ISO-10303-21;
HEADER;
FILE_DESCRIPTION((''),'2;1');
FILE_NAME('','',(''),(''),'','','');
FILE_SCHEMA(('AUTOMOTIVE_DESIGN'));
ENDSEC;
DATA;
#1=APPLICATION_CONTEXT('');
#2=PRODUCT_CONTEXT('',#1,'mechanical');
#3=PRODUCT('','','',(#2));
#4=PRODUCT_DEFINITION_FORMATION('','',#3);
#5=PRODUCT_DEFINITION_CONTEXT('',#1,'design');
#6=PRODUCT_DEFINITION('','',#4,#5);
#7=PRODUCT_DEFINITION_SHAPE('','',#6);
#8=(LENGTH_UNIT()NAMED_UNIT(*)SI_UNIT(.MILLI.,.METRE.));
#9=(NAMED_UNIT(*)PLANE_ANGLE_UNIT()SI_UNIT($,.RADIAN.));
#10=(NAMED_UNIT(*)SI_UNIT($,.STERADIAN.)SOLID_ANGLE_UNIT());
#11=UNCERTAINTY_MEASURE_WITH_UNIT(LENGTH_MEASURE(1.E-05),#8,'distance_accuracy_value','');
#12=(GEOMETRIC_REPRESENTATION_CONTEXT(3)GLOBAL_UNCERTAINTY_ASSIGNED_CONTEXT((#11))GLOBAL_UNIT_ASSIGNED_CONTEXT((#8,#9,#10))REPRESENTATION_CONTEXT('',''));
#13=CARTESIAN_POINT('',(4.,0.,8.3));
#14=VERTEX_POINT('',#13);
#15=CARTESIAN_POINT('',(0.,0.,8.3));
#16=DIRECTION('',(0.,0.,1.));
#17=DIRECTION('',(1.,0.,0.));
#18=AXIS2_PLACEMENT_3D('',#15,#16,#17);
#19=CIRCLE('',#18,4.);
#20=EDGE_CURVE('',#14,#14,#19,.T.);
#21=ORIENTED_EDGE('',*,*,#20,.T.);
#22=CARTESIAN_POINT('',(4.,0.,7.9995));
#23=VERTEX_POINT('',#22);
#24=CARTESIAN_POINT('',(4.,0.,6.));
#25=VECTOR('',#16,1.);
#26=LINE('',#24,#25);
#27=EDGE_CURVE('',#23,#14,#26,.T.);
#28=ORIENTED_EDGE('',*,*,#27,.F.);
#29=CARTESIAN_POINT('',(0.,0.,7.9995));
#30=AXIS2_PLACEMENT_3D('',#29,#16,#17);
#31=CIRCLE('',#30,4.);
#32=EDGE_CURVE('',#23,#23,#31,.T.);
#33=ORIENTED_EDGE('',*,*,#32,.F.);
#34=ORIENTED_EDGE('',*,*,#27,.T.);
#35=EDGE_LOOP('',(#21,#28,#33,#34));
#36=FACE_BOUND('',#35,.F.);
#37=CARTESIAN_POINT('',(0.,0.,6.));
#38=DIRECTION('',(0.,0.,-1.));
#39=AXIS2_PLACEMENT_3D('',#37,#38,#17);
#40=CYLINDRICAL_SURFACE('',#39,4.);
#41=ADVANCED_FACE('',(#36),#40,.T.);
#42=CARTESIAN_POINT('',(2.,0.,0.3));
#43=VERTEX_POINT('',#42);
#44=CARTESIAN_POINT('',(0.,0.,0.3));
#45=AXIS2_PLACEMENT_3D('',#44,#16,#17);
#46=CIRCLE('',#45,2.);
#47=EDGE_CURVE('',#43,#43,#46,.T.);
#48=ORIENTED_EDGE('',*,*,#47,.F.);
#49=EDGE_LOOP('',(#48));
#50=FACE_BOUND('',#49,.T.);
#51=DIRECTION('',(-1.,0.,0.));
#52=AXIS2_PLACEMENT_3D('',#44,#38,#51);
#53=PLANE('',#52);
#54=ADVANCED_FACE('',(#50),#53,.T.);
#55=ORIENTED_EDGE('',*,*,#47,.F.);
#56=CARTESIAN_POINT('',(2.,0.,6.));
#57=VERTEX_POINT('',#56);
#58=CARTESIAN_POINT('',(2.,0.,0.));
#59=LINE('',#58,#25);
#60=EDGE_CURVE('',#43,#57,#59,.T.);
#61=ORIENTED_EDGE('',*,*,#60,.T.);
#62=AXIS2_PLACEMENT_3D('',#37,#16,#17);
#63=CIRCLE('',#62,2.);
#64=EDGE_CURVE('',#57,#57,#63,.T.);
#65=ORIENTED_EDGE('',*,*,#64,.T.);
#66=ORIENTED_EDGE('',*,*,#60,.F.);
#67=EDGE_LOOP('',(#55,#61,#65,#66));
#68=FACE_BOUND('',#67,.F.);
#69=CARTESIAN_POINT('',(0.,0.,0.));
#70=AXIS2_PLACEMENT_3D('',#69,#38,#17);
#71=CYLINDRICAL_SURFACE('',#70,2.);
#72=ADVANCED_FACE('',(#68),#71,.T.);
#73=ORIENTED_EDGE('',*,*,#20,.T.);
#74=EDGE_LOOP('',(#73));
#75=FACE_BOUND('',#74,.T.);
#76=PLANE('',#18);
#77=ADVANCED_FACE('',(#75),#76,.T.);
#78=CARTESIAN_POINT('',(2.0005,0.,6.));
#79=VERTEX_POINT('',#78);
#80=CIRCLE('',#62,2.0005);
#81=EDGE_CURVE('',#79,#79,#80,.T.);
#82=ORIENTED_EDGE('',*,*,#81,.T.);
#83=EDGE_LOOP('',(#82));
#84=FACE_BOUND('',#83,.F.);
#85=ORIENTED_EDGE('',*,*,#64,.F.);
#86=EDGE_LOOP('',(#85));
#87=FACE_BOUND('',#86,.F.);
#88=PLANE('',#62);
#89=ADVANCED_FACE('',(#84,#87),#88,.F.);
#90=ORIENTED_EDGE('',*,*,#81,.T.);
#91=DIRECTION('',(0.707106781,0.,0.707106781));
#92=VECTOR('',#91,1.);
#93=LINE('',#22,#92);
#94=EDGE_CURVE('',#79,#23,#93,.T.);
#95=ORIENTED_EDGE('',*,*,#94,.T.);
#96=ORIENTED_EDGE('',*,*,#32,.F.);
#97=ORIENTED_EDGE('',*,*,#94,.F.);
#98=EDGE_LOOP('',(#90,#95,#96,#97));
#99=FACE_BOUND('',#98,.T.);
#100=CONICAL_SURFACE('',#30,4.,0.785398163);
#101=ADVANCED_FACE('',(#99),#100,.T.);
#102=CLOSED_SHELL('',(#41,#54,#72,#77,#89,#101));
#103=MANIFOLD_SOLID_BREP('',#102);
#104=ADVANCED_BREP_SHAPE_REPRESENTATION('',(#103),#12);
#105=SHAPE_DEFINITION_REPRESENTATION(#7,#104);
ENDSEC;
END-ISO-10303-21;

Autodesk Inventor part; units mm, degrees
ref_plane "YZ Plane" through (0, 0, 0) normal (1, 0, 0) x (0, 1, 0)
ref_plane "XZ Plane" through (0, 0, 0) normal (0, 1, 0) x (-1, 0, 0)
ref_plane "XY Plane" through (0, 0, 0) normal (0, 0, 1) x (1, 0, 0)
sketch "スケッチ1" plane through (0, 0, 0) normal (0, 0, 1) x (1, 0, 0)
  circle A0 centre (0, 0) radius 2
  dimension "d0" = 4
extrude "押し出し1" add sketch "スケッチ1" along normal blind 6
sketch "スケッチ2" plane through (0, 0, 6) normal (0, 0, 1) x (1, 0, 0)
  circle A0 centre (0, 0) radius 2 projected
  circle A1 centre (0, 0) radius 4
  dimension "d3" = 8
extrude "押し出し2" add sketch "スケッチ2" along normal blind 2.3 contours A0 | A1
thread "ねじ1" size "M4x0.7" class "6g" standard "ANSI Metric M Profile" full length
sketch "スケッチ3" plane through (0, 0, 0) normal (0, 0, -1) x (-1, 0, 0)
  circle A0 centre (0, 0) radius 2 projected
extrude "押し出し3" cut sketch "スケッチ3" against normal blind 0.3
chamfer "面取り1" distance 2 angle 45 1 edges at (-4, 0, 6)
properties part number "SB　M4 8mm 皿ネジ" material "Stainless Steel, 440C"
